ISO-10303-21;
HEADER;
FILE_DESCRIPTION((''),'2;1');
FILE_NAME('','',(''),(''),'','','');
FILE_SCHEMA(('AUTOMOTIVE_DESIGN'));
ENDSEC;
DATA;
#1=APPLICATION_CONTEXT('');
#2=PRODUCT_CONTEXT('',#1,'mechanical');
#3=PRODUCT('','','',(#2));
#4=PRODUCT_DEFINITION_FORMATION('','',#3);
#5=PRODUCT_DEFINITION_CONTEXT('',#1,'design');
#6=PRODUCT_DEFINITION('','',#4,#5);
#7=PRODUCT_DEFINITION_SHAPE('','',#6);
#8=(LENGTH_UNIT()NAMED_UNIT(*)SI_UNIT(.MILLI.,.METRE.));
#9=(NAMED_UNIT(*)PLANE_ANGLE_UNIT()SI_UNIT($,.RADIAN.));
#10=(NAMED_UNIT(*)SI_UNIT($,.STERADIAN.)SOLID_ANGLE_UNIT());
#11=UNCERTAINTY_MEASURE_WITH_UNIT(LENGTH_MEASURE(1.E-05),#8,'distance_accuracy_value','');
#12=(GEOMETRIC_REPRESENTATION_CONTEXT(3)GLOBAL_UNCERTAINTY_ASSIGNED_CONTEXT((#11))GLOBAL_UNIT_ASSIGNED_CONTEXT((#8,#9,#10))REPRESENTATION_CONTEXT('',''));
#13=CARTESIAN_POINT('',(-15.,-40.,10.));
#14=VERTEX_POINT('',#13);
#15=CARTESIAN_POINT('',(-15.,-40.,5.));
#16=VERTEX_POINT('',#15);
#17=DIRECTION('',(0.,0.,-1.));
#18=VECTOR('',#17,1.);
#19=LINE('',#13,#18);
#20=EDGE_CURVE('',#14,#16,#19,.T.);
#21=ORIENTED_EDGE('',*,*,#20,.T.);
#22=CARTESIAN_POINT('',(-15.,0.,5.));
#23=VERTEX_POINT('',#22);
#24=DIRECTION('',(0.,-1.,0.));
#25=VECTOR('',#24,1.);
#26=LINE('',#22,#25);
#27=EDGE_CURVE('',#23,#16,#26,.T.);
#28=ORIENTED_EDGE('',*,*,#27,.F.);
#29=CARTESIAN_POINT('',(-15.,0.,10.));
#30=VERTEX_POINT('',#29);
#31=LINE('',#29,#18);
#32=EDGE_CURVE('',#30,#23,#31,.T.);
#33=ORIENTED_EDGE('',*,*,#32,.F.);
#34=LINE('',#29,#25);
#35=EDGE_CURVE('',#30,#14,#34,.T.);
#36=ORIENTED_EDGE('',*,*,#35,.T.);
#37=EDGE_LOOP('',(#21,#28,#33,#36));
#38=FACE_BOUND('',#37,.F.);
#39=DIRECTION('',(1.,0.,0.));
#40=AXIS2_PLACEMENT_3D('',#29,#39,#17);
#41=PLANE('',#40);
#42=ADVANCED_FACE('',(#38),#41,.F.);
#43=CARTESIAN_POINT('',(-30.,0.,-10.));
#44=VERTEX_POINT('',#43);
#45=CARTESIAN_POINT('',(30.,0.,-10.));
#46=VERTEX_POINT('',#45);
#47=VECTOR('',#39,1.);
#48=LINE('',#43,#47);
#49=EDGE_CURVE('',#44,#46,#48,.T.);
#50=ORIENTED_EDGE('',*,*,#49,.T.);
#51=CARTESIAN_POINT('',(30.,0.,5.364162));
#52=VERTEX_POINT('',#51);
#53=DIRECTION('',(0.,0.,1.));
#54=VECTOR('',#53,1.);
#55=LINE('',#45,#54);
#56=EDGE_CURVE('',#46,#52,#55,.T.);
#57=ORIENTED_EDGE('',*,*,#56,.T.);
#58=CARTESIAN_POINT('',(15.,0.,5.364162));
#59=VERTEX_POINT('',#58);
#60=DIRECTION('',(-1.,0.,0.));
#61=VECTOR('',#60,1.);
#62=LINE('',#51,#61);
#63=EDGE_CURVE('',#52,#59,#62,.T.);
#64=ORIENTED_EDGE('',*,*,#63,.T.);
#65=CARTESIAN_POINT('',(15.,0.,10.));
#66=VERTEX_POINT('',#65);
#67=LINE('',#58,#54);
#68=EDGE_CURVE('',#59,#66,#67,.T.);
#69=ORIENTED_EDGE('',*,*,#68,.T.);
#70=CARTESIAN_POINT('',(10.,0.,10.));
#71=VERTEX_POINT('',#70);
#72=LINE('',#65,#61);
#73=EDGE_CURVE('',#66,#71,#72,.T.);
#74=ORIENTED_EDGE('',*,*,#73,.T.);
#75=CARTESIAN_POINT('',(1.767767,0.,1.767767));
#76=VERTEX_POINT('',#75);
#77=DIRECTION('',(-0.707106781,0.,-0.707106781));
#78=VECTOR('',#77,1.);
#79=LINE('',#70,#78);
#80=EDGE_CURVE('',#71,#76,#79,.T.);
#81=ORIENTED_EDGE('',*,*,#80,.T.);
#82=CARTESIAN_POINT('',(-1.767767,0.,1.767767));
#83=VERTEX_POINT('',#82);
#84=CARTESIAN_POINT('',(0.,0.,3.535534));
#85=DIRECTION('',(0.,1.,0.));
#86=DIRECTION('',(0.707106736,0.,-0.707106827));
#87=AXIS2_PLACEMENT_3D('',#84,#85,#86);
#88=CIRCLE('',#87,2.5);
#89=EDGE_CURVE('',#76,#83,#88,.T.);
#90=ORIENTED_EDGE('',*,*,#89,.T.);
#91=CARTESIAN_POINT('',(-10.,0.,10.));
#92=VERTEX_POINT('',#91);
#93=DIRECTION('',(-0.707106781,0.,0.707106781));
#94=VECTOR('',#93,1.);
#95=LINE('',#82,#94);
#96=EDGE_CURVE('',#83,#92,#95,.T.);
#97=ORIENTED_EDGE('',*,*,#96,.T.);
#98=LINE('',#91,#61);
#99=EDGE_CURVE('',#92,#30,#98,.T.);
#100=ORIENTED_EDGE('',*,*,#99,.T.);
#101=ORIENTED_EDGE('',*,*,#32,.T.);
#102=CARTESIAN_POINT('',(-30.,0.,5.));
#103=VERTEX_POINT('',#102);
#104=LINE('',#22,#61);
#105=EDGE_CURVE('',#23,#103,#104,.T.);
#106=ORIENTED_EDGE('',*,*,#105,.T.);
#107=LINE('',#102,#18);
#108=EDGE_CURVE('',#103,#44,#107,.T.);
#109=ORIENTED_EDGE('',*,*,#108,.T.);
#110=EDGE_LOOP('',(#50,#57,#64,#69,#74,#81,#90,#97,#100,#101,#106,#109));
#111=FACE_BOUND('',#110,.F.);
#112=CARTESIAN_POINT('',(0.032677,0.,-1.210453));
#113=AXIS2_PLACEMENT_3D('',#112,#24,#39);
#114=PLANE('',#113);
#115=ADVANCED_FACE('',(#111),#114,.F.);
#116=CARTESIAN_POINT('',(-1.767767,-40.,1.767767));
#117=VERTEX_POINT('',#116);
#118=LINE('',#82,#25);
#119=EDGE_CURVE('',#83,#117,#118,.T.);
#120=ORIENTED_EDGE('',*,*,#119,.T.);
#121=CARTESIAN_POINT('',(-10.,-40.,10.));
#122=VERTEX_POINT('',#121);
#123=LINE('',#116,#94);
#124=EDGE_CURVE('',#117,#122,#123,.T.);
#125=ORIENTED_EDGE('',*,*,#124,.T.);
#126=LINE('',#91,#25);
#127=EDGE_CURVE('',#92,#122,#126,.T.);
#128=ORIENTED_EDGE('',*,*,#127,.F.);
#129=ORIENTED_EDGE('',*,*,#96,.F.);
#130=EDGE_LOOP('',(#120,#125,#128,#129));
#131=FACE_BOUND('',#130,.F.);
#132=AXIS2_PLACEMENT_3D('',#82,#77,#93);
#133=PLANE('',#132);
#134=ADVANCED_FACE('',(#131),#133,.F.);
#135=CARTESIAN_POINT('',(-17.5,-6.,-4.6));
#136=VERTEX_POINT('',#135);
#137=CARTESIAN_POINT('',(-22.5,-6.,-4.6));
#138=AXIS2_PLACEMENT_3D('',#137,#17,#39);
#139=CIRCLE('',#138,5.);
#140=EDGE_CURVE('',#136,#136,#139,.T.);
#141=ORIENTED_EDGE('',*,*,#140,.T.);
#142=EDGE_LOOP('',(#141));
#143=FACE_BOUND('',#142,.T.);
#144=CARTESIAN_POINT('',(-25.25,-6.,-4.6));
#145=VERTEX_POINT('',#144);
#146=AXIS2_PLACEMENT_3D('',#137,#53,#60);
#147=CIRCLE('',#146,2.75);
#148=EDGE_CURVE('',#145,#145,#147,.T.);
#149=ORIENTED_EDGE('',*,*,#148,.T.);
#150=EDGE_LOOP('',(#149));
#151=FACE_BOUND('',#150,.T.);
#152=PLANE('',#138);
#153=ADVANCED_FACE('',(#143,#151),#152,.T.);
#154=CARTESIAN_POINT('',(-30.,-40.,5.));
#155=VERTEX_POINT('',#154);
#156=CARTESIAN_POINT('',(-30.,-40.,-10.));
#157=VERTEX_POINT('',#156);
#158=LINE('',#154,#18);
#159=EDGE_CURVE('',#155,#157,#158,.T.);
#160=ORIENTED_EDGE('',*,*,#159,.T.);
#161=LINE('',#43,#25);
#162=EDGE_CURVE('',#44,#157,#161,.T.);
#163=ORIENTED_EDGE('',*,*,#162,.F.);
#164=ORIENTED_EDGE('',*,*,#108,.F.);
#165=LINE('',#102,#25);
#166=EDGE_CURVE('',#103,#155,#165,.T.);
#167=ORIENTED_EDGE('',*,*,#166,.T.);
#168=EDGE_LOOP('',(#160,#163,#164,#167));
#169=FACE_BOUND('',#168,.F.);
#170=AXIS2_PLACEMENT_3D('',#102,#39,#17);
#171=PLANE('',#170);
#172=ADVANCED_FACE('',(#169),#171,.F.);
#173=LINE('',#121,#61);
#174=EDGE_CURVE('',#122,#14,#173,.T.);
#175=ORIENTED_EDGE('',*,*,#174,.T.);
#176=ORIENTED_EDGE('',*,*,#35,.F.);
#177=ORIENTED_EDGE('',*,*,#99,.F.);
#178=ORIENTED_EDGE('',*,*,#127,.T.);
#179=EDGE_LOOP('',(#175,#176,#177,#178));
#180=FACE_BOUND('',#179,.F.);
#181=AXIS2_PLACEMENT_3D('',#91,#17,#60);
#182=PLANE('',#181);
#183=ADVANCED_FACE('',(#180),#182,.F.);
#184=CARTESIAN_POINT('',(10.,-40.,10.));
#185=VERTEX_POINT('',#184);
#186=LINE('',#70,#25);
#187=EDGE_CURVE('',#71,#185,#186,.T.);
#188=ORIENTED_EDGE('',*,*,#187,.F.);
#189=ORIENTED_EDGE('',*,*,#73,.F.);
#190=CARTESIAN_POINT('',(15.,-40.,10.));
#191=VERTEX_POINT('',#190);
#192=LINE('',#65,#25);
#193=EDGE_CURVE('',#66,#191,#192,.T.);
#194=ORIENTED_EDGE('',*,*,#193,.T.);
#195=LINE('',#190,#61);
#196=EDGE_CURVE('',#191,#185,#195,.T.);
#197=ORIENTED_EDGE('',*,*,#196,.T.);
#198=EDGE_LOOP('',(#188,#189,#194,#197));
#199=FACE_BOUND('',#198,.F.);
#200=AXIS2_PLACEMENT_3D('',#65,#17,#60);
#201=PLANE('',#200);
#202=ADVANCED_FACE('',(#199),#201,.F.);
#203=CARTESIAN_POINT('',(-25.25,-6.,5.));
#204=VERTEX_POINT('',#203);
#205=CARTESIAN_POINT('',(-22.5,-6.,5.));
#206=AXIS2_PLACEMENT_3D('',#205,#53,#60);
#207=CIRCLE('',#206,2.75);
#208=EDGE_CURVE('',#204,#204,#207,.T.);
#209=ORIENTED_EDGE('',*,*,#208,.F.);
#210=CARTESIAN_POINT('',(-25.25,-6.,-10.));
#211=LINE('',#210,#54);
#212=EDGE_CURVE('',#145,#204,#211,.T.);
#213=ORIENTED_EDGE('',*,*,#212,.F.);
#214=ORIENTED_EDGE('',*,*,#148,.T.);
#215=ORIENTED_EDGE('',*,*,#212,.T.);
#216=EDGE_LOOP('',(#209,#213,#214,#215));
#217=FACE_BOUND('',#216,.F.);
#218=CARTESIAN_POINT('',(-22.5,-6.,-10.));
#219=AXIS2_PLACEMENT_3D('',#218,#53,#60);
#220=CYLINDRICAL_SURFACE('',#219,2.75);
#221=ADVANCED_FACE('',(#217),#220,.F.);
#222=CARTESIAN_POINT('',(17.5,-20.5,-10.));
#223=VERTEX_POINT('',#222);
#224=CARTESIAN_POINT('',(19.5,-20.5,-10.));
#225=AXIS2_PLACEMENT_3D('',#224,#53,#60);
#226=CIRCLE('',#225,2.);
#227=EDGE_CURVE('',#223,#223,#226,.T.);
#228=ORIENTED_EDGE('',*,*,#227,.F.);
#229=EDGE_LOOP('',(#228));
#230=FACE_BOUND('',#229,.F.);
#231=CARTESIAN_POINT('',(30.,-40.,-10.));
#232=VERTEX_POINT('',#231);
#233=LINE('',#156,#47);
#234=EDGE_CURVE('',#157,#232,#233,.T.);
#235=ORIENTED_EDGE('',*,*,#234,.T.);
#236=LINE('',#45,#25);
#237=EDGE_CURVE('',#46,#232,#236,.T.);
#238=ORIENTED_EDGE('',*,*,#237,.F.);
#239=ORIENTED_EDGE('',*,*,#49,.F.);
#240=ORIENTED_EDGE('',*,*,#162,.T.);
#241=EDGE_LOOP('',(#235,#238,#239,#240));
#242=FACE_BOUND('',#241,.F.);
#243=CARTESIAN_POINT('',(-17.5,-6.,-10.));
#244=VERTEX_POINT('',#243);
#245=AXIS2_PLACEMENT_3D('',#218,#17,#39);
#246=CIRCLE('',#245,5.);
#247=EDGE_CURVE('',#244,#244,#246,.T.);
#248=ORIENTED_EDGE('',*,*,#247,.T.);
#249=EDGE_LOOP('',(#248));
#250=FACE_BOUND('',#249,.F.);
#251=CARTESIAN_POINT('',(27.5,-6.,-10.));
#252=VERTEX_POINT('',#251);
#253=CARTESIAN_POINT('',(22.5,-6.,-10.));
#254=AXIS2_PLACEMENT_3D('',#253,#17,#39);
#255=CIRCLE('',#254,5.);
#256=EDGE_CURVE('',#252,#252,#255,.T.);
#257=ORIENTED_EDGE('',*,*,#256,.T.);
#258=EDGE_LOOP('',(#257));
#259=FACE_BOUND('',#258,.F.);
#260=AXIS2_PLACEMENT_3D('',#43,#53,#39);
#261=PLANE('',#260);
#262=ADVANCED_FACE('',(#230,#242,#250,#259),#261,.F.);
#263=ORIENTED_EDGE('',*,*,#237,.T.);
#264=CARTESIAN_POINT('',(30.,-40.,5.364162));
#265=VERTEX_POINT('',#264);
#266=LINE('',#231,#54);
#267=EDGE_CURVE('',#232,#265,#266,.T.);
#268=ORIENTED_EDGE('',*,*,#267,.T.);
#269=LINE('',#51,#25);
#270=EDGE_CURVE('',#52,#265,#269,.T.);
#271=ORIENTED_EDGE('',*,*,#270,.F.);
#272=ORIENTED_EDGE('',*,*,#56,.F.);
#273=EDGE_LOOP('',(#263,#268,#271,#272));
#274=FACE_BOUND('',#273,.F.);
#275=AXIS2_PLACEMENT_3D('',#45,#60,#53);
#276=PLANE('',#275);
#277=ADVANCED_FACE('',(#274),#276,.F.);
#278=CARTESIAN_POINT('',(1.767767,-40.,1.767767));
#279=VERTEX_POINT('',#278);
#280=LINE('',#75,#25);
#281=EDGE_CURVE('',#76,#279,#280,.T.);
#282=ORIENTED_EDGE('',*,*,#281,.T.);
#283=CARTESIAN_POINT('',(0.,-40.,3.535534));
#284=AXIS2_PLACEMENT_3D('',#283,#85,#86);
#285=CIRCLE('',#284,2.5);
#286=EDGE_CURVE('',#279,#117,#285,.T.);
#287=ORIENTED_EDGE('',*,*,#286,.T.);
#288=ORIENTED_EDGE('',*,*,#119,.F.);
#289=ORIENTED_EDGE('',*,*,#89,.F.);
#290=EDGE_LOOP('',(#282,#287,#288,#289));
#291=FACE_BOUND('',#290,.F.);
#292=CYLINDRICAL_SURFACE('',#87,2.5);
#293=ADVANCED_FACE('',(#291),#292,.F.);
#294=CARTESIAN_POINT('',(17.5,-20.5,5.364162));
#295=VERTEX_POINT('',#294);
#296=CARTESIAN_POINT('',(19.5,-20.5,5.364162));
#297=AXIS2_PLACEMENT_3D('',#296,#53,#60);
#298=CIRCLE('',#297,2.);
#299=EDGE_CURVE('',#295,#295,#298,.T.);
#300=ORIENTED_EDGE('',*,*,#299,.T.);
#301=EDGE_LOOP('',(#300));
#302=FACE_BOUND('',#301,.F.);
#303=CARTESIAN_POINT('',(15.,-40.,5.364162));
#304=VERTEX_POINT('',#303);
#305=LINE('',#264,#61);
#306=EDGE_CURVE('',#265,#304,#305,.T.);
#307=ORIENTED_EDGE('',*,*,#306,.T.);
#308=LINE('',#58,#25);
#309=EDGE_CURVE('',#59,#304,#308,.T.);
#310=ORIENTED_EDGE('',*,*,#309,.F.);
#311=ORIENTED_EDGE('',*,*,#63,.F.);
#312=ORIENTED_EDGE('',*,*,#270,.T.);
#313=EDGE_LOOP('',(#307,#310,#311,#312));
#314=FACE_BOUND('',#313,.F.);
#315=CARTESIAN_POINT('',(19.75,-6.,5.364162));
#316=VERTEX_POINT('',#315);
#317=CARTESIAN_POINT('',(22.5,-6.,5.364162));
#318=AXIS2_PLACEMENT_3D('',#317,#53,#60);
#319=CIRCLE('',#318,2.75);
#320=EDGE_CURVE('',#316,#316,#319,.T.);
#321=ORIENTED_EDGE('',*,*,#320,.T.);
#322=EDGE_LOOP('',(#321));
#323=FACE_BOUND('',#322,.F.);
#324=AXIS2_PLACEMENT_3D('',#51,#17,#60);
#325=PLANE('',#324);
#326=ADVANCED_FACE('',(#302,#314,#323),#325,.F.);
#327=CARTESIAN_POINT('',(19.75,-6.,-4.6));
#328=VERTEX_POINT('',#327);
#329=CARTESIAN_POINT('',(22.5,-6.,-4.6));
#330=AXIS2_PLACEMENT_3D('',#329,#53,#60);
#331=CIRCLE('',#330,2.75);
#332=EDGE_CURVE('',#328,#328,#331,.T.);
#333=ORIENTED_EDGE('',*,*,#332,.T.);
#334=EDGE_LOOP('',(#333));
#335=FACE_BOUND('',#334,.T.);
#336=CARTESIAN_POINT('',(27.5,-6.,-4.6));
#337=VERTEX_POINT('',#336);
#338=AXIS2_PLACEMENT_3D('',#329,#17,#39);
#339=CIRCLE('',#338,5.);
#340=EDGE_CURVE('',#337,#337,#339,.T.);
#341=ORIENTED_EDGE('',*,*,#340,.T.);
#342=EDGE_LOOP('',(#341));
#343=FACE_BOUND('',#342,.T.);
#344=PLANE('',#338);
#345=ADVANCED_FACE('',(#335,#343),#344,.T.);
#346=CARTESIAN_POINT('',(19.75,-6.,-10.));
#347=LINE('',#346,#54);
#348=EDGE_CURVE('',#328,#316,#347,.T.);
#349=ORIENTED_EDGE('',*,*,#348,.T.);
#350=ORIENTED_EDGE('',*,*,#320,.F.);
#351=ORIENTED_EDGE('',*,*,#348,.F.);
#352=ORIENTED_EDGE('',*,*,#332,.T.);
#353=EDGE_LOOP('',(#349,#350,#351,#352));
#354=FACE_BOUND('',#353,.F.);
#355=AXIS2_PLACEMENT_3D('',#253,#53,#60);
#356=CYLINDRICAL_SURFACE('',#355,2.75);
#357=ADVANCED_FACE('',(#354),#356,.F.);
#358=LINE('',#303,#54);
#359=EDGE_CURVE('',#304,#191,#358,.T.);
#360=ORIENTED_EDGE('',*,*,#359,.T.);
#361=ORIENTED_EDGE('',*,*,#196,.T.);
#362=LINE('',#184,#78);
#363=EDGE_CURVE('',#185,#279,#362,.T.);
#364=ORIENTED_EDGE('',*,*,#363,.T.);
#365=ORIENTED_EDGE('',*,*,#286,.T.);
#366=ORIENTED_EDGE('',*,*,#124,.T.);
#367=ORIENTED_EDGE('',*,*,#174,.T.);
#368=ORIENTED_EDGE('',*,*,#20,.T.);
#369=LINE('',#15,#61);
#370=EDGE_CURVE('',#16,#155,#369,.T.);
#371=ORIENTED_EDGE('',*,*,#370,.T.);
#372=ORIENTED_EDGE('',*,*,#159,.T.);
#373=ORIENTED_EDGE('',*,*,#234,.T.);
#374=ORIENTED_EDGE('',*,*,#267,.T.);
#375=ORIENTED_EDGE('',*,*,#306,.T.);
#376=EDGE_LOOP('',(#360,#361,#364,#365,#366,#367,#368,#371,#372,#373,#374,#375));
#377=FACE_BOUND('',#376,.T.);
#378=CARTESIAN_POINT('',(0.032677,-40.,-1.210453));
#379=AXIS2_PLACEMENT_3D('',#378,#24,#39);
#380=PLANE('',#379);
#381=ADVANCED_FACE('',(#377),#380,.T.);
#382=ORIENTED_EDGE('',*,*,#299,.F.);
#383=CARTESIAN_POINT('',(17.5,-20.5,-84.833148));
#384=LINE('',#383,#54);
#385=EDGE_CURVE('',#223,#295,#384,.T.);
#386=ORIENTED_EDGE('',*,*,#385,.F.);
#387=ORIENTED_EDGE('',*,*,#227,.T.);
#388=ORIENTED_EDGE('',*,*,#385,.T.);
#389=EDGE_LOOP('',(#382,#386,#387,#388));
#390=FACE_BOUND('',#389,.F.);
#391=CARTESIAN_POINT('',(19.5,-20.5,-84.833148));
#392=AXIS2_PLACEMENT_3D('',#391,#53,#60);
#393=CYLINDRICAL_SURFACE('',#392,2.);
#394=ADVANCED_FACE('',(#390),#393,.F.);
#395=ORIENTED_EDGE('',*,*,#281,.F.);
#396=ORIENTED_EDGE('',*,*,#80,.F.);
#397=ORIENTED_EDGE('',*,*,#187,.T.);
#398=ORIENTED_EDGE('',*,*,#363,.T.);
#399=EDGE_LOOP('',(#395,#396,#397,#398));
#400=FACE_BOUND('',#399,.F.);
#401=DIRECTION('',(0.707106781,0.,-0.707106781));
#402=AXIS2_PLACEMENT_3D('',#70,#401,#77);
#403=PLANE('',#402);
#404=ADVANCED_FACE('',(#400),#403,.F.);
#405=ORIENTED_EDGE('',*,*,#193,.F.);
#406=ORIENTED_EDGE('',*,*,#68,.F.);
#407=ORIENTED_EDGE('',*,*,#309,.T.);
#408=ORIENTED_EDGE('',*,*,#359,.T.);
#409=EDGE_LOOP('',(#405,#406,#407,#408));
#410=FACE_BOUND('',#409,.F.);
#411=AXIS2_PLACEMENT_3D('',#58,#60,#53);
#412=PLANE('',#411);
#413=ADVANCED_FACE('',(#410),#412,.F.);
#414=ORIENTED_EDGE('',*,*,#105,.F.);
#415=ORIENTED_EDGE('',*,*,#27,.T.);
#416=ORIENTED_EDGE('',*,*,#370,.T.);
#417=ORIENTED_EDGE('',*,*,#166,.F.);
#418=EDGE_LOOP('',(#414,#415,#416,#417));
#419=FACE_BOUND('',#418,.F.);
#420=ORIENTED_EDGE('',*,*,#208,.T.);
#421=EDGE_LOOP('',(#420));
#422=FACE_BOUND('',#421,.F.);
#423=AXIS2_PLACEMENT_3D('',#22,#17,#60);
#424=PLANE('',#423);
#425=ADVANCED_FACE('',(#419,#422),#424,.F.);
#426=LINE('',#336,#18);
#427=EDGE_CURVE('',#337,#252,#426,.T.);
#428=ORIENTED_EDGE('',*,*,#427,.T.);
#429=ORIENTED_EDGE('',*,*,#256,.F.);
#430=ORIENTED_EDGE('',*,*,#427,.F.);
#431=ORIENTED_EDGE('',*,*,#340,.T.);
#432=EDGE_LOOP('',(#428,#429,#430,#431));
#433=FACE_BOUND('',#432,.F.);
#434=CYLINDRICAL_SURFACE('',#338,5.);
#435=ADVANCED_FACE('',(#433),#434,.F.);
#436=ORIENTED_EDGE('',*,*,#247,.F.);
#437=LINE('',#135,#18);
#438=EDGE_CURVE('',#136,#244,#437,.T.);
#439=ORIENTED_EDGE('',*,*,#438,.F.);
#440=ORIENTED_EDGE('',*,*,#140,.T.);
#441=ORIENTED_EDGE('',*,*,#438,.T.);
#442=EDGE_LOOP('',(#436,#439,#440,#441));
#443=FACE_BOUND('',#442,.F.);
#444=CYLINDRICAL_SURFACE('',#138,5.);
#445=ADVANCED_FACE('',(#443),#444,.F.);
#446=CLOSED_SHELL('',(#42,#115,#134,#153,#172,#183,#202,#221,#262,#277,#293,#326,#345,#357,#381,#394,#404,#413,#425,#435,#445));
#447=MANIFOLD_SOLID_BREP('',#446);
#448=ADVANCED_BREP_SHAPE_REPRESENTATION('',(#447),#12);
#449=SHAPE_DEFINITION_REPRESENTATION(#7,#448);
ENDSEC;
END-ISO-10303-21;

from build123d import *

# Parameters (mm, degrees)
F1_DEPTH       = 40
F3_D           = 5.5
F3_CBORE_D     = 10
F3_CBORE_DEPTH = 5.4
F5_D           = 4


with BuildPart() as f1:
    # F0 (on Front) → F1 (new body)
    with BuildSketch(Plane.XZ):
        with BuildLine():
            Line((-15, 5), (-30, 5))
            Line((-30, 5), (-30, -10))
            Line((-30, -10), (30, -10))
            Line((30, -10), (30, 5.364162))
            Line((30, 5.364162), (15, 5.364162))
            Line((15, 5.364162), (15, 10))
            Line((15, 10), (10, 10))
            Line((10, 10), (1.767767, 1.767767))
            ThreePointArc((1.767767, 1.767767), (0, 1.035534), (-1.767767, 1.767767))
            Line((-1.767767, 1.767767), (-10, 10))
            Line((-10, 10), (-15, 10))
            Line((-15, 10), (-15, 5))
        make_face()
    extrude(amount=F1_DEPTH)

    # F3 (through all)
    with Locations(Plane(origin=(0, 0, -10), x_dir=(1, 0, 0), z_dir=(0, 0, -1))):
        with Locations((-22.5, 6), (22.5, 6)):
            CounterBoreHole(F3_D / 2, F3_CBORE_D / 2, F3_CBORE_DEPTH)

    # F5 (through all)
    with Locations(Plane(origin=(0, 0, -10), x_dir=(1, 0, 0), z_dir=(0, 0, -1))):
        with Locations((19.5, 20.5)):
            Hole(F5_D / 2)


solid = f1.part
